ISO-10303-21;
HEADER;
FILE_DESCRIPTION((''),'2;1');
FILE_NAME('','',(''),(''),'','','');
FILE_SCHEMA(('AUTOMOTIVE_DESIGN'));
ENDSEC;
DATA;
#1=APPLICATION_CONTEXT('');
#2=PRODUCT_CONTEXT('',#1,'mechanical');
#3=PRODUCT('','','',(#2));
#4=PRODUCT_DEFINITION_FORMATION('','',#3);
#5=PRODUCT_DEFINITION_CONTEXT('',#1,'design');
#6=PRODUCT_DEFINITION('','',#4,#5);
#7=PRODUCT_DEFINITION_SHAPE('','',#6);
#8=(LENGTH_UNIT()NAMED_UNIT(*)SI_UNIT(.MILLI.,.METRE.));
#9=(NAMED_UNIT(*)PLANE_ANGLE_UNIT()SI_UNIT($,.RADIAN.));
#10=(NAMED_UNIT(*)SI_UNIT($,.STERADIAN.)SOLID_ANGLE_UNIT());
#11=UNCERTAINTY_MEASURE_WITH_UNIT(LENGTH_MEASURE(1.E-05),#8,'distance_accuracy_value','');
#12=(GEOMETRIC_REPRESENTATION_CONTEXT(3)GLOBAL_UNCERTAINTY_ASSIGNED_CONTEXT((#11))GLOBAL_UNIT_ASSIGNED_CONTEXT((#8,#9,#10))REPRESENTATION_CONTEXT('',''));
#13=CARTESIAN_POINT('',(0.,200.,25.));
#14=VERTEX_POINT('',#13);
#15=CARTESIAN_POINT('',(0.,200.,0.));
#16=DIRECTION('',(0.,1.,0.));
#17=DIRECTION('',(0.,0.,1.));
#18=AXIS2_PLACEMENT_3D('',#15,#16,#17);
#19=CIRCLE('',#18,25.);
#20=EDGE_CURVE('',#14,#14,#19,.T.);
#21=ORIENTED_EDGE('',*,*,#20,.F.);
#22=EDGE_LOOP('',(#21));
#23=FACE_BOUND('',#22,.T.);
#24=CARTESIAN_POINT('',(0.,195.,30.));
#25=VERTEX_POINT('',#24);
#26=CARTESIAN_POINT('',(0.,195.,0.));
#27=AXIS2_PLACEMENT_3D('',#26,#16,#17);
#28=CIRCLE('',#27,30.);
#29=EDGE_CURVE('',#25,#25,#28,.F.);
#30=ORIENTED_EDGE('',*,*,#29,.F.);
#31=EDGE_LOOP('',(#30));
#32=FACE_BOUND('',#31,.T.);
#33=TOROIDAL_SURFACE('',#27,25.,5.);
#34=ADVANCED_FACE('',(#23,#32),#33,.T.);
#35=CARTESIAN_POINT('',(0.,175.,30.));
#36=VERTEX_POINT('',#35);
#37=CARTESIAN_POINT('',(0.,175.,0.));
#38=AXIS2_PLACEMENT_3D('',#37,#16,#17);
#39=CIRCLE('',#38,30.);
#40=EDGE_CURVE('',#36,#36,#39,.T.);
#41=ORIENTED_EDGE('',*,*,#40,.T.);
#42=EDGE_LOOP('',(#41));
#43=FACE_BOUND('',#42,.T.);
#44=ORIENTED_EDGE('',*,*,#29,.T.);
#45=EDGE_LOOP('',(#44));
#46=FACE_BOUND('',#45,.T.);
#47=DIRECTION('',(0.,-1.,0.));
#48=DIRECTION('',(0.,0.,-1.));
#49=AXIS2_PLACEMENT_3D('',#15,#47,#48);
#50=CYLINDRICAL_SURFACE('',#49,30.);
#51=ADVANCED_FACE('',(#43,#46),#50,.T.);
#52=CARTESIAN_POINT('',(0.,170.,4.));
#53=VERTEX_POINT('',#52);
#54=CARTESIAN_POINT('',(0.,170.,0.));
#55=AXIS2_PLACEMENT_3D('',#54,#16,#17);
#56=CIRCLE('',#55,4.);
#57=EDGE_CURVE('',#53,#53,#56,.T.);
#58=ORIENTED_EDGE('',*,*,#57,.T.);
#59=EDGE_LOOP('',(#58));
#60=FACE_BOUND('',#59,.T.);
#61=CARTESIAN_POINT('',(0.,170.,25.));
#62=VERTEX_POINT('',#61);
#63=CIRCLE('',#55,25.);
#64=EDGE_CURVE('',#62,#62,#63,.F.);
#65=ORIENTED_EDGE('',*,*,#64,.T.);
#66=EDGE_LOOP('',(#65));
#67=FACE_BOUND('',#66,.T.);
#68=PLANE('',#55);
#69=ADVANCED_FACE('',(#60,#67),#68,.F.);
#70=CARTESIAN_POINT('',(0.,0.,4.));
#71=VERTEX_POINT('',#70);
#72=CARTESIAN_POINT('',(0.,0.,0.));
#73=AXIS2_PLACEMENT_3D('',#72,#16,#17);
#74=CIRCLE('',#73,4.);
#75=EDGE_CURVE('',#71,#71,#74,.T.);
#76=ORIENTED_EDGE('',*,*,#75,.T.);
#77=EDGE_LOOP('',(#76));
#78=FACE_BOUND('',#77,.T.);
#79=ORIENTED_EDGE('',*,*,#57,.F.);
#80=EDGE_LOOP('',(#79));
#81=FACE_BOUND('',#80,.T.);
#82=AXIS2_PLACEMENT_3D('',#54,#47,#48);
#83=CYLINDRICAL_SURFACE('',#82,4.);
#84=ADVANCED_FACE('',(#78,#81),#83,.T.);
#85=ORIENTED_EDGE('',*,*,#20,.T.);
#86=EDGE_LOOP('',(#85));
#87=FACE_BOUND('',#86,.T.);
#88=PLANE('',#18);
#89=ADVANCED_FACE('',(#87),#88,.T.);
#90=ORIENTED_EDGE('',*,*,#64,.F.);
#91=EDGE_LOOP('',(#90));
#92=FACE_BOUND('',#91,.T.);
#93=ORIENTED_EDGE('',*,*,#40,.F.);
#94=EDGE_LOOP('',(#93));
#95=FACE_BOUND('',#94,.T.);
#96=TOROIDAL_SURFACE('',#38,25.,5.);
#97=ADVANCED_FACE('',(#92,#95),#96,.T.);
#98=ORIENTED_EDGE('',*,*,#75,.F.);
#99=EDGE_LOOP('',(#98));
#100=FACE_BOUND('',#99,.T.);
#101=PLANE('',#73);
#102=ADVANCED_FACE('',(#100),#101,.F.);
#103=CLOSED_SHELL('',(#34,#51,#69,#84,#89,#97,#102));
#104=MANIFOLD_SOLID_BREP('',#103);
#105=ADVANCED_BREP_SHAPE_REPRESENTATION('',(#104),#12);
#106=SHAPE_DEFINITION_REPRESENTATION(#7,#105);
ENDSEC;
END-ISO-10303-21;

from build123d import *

# Parameters (mm, degrees)
SKETCH1_R           = 4
BOSS_EXTRUDE1_DEPTH = 170
SKETCH2_R           = 30
BOSS_EXTRUDE2_DEPTH = 30
FILLET1_R           = 5


with BuildPart() as part:
    # Sketch1 → Boss-Extrude1 (new body)
    with BuildSketch(Plane(origin=(0, 0, 0), x_dir=(1, 0, 0), z_dir=(0, 1, 0))):
        Circle(SKETCH1_R)
    extrude(amount=BOSS_EXTRUDE1_DEPTH)

    # Sketch2 → Boss-Extrude2 (add)
    with BuildSketch(Plane(origin=(0, 170, 0), x_dir=(1, 0, 0), z_dir=(0, 1, 0))):
        Circle(SKETCH2_R)
    extrude(amount=BOSS_EXTRUDE2_DEPTH)

    # Fillet1
    fillet1_edges = [part.edges().sort_by_distance(p)[0] for p in [
        (-30, 170, 0),
        (-30, 200, 0),
    ]]
    fillet(fillet1_edges, radius=FILLET1_R)


solid = part.part
